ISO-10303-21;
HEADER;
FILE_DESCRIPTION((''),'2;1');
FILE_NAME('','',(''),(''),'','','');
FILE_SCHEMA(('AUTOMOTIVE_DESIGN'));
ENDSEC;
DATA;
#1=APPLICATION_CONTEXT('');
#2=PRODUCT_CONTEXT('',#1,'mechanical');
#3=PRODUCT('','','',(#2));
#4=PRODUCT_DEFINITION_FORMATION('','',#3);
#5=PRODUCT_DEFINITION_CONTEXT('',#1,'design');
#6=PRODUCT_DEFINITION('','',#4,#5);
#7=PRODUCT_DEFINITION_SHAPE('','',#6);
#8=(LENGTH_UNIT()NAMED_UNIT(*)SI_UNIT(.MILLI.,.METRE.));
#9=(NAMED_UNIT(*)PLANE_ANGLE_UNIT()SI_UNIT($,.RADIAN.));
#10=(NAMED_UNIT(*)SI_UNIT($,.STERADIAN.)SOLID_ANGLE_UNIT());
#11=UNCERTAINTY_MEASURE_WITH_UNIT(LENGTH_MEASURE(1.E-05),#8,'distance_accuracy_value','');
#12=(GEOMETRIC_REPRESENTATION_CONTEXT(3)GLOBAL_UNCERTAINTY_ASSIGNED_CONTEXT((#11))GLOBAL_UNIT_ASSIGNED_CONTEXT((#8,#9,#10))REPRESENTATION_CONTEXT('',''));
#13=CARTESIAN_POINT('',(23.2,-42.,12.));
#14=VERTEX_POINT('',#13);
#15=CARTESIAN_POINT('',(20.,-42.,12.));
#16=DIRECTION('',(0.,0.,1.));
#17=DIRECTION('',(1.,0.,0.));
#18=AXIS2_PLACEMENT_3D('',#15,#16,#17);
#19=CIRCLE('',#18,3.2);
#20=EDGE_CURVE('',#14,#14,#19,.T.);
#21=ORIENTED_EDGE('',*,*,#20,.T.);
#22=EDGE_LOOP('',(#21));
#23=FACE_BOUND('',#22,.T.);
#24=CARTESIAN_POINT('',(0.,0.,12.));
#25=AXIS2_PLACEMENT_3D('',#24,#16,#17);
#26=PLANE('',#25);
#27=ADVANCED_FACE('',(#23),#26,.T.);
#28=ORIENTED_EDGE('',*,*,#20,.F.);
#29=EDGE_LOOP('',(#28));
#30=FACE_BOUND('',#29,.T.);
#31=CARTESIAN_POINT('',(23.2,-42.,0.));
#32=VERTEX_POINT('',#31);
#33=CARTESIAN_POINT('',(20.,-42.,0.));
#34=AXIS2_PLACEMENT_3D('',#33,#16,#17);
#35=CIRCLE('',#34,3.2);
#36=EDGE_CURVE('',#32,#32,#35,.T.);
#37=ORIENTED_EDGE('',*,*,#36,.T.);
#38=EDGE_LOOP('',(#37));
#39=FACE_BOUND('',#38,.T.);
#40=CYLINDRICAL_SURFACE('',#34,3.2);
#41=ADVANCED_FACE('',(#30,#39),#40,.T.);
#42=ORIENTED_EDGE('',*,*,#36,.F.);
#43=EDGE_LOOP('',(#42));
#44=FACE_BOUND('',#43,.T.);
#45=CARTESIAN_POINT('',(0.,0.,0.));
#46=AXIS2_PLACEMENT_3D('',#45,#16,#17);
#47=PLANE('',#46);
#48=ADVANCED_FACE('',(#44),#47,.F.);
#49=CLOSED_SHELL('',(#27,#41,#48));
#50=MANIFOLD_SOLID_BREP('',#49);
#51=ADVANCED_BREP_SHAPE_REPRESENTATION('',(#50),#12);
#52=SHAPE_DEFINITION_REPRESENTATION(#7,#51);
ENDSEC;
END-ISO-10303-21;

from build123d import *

# Parameters (mm, degrees)
SKETCH_1_W          = 432
SKETCH_1_H          = 330
EXTRUDE_1_DEPTH     = 12
SKETCH_2_OUTSIDE_W  = 542.75
SKETCH_2_OUTSIDE_H  = 440.75
SKETCH_2_OUTSIDE_R  = 3.2
CUT_EXTRUDE_1_DEPTH = 492.927840237


with BuildPart() as part:
    # 草图1 → 凸台-拉伸1 (new body)
    with BuildSketch(Plane.XY):
        with Locations((216, 70)):
            Rectangle(SKETCH_1_W, SKETCH_1_H)
    extrude(amount=EXTRUDE_1_DEPTH)

    # 草图2 outside → 切除-拉伸1 (cut, through all)
    with BuildSketch(Plane.XY.offset(12)):
        with Locations((216, 70)):
            Rectangle(SKETCH_2_OUTSIDE_W, SKETCH_2_OUTSIDE_H)
        with Locations((20, -42)):
            Circle(SKETCH_2_OUTSIDE_R, mode=Mode.SUBTRACT)
    extrude(amount=-CUT_EXTRUDE_1_DEPTH, mode=Mode.SUBTRACT)


solid = part.part
